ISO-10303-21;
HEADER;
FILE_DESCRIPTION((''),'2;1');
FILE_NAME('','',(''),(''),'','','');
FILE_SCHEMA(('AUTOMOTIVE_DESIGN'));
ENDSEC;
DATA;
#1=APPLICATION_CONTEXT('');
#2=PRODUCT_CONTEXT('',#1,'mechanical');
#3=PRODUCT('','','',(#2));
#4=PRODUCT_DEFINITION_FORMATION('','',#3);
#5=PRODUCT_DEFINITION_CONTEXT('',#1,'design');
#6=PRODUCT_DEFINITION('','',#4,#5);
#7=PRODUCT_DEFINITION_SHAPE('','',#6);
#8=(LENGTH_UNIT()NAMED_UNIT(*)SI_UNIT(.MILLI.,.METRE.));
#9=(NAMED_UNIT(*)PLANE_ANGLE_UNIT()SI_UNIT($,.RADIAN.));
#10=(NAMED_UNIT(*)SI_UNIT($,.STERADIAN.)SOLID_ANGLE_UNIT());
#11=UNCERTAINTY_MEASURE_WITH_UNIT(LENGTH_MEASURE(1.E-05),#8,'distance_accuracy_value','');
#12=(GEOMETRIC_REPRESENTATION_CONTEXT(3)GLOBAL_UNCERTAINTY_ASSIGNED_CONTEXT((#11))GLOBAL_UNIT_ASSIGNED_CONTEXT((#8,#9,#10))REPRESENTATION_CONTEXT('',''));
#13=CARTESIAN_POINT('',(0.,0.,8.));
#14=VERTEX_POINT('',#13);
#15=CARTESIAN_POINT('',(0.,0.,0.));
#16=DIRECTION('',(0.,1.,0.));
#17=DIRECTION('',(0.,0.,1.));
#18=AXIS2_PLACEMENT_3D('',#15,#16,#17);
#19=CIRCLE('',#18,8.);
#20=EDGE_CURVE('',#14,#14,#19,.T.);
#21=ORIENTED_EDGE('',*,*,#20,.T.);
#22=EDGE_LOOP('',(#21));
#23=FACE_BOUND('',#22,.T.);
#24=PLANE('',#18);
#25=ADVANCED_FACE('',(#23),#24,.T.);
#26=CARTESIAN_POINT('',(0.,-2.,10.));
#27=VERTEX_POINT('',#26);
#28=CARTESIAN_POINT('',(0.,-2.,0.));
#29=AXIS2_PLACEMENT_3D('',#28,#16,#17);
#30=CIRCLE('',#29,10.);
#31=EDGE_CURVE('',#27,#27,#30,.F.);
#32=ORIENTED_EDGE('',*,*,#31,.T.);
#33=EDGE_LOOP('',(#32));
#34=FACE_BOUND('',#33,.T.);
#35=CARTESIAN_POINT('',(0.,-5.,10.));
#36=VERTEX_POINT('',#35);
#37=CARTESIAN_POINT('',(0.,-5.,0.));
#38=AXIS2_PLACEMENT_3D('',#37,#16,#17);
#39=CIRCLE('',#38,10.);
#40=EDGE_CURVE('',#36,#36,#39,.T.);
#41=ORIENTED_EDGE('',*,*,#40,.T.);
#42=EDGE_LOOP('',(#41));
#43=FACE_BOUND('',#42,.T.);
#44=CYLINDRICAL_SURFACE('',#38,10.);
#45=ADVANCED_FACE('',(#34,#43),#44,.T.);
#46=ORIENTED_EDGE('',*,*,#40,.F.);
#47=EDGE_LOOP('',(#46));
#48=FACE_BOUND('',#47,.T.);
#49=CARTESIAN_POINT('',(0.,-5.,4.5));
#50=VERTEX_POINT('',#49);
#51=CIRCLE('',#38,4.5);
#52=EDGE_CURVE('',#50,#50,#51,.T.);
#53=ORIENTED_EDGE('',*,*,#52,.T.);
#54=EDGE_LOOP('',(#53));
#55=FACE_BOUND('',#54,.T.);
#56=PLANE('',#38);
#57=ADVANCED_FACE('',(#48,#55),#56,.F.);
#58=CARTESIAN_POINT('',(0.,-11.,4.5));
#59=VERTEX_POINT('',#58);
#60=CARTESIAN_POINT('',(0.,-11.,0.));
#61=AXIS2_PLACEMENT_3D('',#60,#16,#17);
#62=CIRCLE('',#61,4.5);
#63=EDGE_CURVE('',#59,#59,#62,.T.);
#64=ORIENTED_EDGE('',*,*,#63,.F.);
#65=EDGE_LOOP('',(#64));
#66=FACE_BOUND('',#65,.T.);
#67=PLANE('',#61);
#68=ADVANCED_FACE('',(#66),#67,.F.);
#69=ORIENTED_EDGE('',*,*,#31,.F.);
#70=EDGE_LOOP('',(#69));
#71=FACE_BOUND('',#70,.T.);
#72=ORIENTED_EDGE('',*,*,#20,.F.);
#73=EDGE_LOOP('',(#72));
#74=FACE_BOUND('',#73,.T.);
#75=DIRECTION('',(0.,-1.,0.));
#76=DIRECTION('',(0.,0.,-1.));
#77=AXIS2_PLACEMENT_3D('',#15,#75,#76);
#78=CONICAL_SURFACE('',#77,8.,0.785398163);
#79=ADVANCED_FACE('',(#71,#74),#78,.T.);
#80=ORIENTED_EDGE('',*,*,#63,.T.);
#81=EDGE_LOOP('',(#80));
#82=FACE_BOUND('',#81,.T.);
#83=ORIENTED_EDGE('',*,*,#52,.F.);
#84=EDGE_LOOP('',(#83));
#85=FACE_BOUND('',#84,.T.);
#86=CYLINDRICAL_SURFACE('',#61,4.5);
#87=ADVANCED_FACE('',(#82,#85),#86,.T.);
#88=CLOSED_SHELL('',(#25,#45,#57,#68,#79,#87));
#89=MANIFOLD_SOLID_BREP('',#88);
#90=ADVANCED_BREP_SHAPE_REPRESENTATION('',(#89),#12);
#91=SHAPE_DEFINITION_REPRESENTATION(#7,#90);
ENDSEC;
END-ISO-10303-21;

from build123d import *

# Parameters (mm, degrees)
SKETCH_2_R      = 10
EXTRUDE_1_DEPTH = 5
SKETCH_3_R      = 4.5
EXTRUDE_2_DEPTH = 11
CHAMFER_1_SIZE  = 2


with BuildPart() as part:
    # 草圖2 → 填料-伸長1 (new body)
    with BuildSketch(Plane(origin=(0, 0, 0), x_dir=(1, 0, 0), z_dir=(0, 1, 0))):
        with Locations(Location((0, 0, 0), (0, 0, 270))):
            Circle(SKETCH_2_R)
    extrude(amount=-EXTRUDE_1_DEPTH)

    # 草圖3 → 填料-伸長2 (add)
    with BuildSketch(Plane(origin=(0, 0, 0), x_dir=(1, 0, 0), z_dir=(0, 1, 0))):
        with Locations(Location((0, 0, 0), (0, 0, 270))):
            Circle(SKETCH_3_R)
    extrude(amount=-EXTRUDE_2_DEPTH)

    # 導角1
    chamfer_1_edges = [part.edges().sort_by_distance(p)[0] for p in [
        (0, 0, -10),
    ]]
    chamfer(chamfer_1_edges, length=CHAMFER_1_SIZE)


solid = part.part
